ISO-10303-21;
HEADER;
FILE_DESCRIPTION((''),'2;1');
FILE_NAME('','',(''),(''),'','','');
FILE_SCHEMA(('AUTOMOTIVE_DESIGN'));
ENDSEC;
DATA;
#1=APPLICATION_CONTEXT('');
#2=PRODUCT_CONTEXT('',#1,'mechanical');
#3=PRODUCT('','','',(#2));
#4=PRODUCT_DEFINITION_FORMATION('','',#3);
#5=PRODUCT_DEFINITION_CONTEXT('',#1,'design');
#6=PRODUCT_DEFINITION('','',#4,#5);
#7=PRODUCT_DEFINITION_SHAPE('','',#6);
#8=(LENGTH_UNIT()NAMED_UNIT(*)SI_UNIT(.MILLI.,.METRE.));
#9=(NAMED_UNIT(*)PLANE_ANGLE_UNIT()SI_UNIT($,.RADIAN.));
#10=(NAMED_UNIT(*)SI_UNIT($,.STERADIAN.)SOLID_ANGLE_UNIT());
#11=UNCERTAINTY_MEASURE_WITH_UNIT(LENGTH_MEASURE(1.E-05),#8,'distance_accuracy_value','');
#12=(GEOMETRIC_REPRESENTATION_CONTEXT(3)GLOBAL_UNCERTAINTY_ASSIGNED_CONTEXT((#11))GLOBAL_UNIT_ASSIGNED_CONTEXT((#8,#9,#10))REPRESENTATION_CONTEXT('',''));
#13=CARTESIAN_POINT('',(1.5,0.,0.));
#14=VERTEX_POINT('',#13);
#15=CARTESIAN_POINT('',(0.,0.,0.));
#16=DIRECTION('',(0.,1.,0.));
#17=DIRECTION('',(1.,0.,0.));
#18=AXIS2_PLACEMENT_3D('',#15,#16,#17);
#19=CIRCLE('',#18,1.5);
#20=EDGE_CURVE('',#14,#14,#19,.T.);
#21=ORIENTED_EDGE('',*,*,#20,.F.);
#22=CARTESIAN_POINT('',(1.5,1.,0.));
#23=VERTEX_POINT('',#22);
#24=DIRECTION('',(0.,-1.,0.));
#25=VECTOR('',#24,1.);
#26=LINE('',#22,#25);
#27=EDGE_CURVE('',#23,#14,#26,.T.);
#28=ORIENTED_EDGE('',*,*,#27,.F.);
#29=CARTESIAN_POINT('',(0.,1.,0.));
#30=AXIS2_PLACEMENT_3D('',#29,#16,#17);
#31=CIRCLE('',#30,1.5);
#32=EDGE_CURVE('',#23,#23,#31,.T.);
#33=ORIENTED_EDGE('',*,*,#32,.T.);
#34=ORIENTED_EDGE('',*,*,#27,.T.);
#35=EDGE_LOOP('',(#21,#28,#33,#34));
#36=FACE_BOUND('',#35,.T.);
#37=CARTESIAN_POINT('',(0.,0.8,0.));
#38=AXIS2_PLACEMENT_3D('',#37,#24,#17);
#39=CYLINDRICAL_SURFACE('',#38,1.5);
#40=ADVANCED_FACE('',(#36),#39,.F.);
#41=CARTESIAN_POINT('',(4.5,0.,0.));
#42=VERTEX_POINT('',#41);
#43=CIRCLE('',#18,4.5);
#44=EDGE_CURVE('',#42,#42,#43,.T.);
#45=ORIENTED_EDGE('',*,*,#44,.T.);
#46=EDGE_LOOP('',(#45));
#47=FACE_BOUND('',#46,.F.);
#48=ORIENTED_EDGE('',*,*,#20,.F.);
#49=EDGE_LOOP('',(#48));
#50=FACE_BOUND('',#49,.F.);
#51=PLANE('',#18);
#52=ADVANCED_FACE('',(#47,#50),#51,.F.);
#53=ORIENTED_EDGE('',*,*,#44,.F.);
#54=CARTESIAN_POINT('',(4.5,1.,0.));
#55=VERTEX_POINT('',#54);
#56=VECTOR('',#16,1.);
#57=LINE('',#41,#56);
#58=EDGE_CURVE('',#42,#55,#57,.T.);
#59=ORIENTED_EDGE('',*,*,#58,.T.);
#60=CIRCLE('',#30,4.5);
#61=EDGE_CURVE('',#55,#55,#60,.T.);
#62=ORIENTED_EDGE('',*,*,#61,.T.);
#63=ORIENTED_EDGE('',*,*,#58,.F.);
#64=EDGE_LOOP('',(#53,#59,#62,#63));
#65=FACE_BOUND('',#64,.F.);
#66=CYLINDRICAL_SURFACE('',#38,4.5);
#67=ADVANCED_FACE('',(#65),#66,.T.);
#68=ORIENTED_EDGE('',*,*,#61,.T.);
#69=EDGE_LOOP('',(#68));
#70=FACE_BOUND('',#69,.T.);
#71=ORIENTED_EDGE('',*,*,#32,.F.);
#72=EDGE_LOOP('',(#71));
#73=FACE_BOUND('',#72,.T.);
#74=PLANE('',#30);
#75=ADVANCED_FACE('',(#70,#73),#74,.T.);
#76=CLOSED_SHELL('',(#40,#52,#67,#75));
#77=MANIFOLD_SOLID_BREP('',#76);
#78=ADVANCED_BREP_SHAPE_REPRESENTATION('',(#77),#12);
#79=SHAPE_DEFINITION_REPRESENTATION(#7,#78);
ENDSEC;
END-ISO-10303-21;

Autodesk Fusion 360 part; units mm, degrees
sketch "Esboço1" plane through (0, 0, 0) normal (0, 1, 0) x (1, 0, 0)
  circle A0 centre (0, 0) radius 4.5
  circle A1 centre (0, 0) radius 1.5
  dimension "d1" = 9
  dimension "d2" = 3
extrude "Extrusão1" add sketch "Esboço1" along normal blind 1.5
extrude "Extrusão2" cut 1 faces at (3.4832, 1.5, 0.2236) along direction (0, -1, 0) blind 0.7
extrude "Extrusão3" add 1 faces at (3.4832, 0.8, 0.2236) along direction (0, 1, 0) blind 0.2
